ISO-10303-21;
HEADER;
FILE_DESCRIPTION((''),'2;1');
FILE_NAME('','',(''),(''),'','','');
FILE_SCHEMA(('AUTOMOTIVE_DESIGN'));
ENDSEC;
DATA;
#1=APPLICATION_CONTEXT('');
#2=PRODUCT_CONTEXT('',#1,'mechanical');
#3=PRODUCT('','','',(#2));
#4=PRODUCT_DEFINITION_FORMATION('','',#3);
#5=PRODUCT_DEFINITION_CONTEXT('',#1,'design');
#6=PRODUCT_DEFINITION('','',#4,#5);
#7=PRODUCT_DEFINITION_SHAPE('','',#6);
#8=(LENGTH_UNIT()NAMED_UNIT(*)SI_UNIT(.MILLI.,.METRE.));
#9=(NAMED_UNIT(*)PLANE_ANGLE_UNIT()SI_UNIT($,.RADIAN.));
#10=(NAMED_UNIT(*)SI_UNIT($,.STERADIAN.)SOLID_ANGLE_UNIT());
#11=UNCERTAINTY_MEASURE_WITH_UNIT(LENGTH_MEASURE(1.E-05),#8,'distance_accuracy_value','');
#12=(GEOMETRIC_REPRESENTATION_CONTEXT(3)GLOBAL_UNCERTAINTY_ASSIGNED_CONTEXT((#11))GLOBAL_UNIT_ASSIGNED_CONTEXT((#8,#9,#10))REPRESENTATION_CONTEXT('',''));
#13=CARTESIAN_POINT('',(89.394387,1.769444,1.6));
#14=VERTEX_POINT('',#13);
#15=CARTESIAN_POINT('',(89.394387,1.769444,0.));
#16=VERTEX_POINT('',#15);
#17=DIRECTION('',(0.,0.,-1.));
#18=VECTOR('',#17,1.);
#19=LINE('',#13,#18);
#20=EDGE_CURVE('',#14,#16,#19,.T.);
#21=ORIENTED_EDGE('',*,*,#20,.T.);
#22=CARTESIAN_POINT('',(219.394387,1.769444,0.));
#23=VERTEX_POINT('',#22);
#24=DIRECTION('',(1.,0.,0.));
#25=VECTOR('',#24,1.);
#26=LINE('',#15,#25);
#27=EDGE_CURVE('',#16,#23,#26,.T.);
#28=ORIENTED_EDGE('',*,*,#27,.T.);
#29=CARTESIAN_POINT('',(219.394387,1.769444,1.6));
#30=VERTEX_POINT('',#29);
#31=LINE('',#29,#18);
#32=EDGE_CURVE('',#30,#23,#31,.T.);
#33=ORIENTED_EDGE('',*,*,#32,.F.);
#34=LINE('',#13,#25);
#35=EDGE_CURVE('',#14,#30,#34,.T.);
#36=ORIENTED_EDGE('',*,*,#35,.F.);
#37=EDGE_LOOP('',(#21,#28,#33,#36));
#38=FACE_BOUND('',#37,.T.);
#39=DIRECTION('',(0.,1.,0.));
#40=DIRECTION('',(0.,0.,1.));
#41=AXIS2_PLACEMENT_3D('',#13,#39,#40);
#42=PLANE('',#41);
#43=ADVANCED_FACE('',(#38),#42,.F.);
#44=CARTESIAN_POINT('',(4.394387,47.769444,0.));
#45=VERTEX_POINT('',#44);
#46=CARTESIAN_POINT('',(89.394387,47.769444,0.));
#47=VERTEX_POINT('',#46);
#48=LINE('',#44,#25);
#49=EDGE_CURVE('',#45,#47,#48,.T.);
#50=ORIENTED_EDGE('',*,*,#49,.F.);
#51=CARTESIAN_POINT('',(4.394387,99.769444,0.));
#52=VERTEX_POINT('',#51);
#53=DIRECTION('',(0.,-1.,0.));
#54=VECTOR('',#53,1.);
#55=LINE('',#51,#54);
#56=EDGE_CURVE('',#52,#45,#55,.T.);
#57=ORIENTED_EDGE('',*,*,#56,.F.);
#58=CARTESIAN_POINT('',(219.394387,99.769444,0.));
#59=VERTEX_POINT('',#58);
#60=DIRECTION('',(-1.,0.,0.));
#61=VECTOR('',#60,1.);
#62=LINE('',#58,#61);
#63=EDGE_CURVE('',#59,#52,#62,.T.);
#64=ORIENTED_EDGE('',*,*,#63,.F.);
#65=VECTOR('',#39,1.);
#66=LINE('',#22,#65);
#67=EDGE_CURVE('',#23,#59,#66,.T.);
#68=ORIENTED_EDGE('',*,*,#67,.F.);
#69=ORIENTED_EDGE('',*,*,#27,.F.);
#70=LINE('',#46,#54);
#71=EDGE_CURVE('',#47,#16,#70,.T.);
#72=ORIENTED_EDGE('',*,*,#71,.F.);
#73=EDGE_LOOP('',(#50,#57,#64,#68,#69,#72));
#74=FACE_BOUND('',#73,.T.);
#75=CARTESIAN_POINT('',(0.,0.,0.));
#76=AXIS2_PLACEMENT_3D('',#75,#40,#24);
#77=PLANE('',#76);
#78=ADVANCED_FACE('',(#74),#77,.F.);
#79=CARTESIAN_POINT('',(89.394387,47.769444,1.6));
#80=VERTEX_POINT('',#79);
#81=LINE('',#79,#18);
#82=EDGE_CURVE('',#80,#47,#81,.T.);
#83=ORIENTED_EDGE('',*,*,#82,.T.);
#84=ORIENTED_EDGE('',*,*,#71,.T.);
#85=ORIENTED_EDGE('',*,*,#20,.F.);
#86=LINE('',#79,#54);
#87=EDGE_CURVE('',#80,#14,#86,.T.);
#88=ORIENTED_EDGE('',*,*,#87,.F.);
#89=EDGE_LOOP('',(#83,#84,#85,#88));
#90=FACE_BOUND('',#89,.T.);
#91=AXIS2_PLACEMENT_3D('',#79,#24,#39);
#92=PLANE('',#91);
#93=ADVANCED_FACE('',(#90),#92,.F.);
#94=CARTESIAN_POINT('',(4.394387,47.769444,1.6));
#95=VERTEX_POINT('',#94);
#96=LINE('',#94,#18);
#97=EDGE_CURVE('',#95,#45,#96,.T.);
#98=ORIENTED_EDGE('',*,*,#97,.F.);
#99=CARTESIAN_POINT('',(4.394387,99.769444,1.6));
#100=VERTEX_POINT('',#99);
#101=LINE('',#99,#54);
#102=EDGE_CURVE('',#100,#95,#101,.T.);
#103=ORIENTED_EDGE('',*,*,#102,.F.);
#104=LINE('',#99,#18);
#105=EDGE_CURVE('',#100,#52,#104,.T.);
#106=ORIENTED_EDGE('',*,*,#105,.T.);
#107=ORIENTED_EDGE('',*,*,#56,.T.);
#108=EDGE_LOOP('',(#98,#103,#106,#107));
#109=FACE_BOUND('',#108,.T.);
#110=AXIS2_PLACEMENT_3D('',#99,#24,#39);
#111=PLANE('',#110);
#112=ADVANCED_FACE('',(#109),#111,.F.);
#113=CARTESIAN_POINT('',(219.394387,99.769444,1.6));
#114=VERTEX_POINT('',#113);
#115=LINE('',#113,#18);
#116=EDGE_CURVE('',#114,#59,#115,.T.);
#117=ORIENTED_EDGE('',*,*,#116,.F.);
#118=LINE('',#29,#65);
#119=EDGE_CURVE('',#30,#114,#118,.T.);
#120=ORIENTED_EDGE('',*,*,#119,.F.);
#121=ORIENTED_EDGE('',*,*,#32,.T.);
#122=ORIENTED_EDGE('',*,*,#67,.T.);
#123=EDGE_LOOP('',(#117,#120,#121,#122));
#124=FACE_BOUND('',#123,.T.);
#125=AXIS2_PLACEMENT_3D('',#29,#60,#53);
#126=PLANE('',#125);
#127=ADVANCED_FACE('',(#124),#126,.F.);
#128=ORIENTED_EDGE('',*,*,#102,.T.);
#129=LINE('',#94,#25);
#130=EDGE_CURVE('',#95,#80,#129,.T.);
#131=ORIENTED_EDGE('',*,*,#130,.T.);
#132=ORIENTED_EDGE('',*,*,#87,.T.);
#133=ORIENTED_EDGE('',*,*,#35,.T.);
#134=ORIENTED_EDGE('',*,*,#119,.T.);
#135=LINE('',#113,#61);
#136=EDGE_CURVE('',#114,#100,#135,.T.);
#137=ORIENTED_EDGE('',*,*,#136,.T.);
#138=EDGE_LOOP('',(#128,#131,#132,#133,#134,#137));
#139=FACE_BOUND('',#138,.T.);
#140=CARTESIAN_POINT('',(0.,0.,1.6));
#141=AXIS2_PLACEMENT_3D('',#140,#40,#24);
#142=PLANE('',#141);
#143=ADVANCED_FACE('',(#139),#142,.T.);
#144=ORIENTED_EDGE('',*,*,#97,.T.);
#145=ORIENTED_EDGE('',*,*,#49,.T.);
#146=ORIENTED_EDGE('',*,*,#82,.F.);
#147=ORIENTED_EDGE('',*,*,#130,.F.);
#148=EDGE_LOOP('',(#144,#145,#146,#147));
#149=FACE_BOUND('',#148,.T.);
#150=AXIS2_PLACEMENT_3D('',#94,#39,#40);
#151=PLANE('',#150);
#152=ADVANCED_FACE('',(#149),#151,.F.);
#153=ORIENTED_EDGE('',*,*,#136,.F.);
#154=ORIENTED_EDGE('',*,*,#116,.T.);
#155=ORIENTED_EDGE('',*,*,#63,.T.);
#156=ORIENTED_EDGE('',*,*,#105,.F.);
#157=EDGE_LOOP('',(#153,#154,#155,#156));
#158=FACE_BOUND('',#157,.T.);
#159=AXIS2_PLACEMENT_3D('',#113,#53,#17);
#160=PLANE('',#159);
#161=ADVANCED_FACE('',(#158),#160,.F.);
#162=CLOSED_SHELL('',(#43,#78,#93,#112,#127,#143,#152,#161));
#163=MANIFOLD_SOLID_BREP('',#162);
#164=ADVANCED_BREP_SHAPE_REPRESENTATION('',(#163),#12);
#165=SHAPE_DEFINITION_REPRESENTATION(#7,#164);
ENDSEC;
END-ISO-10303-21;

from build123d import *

# Parameters (mm, degrees)
BOSS_EXTRUDE1_DEPTH = 1.6


with BuildPart() as part:
    # Sketch1 → Boss-Extrude1 (new body)
    with BuildSketch(Plane.XY):
        Polygon((4.394386723, 47.769443855), (89.394386723, 47.769443855), (89.394386723, 1.769443855), (219.394386723, 1.769443855), (219.394386723, 99.769443855), (4.394386723, 99.769443855), align=None)
    extrude(amount=BOSS_EXTRUDE1_DEPTH)


solid = part.part
